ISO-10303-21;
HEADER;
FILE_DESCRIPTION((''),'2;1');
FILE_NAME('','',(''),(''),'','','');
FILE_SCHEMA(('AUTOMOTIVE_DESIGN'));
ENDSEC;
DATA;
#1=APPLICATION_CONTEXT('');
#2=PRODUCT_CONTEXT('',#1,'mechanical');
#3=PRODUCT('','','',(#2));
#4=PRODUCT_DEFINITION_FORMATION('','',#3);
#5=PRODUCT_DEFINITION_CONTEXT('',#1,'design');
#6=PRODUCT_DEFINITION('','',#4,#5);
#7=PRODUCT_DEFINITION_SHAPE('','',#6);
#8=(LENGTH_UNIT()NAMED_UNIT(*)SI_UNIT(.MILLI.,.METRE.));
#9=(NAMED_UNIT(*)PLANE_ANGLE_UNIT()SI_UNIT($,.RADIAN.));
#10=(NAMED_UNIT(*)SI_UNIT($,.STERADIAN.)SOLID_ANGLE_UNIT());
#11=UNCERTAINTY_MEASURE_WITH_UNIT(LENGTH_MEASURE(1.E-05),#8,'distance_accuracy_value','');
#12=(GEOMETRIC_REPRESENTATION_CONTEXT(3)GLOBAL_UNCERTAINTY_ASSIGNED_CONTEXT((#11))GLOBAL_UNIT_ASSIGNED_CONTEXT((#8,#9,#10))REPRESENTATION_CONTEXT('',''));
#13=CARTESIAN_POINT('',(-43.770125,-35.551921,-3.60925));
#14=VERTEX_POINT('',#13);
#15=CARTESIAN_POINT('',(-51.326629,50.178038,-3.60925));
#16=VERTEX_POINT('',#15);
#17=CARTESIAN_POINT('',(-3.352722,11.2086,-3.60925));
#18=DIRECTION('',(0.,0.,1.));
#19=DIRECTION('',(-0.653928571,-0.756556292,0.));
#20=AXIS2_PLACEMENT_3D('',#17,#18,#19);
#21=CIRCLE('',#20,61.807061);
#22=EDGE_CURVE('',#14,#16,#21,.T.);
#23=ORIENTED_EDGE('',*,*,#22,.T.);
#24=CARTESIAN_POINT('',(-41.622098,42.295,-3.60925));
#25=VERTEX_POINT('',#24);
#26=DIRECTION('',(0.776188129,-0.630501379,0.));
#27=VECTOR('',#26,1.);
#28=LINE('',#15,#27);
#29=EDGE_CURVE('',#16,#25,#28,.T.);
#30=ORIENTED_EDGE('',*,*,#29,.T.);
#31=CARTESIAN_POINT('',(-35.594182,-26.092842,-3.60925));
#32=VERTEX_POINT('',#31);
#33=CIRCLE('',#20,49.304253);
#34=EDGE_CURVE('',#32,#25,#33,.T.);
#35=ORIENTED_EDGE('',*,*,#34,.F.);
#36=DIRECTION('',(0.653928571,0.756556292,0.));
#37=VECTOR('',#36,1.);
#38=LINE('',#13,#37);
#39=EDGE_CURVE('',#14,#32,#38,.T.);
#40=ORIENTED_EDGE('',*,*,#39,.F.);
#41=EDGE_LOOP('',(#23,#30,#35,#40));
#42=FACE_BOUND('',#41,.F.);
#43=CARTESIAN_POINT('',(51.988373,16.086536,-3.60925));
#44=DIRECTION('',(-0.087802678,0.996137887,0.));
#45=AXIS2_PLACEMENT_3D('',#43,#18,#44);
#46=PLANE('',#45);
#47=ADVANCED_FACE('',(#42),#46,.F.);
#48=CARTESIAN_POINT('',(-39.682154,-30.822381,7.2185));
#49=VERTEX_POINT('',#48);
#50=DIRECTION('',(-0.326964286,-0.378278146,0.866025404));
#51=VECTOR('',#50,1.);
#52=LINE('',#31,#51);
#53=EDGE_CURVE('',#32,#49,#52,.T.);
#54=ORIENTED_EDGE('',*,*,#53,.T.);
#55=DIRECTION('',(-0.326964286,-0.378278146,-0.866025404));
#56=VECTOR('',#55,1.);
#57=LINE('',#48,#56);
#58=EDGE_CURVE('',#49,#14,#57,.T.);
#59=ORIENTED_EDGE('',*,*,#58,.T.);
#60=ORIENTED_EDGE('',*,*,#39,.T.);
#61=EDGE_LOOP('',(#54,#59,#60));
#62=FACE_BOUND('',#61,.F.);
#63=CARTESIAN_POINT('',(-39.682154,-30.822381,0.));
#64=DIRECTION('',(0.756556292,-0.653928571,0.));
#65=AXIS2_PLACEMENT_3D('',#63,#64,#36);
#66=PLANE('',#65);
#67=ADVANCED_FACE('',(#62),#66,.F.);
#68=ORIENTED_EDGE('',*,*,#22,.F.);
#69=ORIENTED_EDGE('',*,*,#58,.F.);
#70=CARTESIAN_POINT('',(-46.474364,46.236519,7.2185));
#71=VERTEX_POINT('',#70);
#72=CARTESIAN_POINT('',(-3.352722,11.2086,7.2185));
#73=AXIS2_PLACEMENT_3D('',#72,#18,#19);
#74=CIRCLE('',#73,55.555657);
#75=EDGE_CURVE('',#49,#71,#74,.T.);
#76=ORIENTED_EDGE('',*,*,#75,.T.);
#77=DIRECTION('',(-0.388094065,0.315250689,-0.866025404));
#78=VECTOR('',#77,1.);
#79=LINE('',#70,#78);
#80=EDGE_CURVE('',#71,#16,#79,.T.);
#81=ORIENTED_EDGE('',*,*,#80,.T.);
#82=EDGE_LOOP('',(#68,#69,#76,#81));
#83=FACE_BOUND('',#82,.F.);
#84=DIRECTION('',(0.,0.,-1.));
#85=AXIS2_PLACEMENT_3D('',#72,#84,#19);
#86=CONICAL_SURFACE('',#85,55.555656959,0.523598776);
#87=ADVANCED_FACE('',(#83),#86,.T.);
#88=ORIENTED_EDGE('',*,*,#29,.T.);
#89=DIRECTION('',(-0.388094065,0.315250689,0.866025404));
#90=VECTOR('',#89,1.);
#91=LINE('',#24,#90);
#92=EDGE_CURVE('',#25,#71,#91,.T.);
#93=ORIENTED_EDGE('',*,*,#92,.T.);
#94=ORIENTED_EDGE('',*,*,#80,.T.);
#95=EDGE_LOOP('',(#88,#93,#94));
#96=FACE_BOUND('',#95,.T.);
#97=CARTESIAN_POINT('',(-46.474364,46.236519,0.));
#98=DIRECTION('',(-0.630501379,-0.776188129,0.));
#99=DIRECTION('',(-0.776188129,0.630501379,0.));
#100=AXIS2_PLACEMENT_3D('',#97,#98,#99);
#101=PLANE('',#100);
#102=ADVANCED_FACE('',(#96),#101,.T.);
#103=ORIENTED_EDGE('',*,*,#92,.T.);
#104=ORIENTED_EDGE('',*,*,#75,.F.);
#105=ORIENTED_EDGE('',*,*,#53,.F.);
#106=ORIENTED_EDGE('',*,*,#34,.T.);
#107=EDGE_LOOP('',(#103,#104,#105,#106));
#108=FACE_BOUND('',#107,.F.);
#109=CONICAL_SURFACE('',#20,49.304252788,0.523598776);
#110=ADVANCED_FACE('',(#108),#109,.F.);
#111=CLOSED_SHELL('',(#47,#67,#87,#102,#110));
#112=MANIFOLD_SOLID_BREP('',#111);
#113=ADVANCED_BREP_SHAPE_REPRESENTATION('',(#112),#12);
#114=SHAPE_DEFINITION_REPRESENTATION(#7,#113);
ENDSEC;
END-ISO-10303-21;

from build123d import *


with BuildPart() as f3:
    # F3: sweep along a path in F0
    with BuildLine(Plane.XY) as f3_path:
        ThreePointArc((-39.6821536124, -30.8223813772), (51.9883725074, 16.0865359029), (-46.4743636549, 46.2365187705))
    # F2 (on line) → F3 (sweep)
    with BuildSketch(Plane(origin=(-7.4642957365, 6.4517555361, 0), x_dir=(0.6539285714, 0.7565562924, 0), z_dir=(0.7565562924, -0.6539285714, 0))):
        Polygon((-43.0167564275, -3.6092498808), (-49.2681605983, 7.2184997617), (-55.5195647691, -3.6092498808), align=None)
    sweep(path=f3_path.line)


solid = f3.part
